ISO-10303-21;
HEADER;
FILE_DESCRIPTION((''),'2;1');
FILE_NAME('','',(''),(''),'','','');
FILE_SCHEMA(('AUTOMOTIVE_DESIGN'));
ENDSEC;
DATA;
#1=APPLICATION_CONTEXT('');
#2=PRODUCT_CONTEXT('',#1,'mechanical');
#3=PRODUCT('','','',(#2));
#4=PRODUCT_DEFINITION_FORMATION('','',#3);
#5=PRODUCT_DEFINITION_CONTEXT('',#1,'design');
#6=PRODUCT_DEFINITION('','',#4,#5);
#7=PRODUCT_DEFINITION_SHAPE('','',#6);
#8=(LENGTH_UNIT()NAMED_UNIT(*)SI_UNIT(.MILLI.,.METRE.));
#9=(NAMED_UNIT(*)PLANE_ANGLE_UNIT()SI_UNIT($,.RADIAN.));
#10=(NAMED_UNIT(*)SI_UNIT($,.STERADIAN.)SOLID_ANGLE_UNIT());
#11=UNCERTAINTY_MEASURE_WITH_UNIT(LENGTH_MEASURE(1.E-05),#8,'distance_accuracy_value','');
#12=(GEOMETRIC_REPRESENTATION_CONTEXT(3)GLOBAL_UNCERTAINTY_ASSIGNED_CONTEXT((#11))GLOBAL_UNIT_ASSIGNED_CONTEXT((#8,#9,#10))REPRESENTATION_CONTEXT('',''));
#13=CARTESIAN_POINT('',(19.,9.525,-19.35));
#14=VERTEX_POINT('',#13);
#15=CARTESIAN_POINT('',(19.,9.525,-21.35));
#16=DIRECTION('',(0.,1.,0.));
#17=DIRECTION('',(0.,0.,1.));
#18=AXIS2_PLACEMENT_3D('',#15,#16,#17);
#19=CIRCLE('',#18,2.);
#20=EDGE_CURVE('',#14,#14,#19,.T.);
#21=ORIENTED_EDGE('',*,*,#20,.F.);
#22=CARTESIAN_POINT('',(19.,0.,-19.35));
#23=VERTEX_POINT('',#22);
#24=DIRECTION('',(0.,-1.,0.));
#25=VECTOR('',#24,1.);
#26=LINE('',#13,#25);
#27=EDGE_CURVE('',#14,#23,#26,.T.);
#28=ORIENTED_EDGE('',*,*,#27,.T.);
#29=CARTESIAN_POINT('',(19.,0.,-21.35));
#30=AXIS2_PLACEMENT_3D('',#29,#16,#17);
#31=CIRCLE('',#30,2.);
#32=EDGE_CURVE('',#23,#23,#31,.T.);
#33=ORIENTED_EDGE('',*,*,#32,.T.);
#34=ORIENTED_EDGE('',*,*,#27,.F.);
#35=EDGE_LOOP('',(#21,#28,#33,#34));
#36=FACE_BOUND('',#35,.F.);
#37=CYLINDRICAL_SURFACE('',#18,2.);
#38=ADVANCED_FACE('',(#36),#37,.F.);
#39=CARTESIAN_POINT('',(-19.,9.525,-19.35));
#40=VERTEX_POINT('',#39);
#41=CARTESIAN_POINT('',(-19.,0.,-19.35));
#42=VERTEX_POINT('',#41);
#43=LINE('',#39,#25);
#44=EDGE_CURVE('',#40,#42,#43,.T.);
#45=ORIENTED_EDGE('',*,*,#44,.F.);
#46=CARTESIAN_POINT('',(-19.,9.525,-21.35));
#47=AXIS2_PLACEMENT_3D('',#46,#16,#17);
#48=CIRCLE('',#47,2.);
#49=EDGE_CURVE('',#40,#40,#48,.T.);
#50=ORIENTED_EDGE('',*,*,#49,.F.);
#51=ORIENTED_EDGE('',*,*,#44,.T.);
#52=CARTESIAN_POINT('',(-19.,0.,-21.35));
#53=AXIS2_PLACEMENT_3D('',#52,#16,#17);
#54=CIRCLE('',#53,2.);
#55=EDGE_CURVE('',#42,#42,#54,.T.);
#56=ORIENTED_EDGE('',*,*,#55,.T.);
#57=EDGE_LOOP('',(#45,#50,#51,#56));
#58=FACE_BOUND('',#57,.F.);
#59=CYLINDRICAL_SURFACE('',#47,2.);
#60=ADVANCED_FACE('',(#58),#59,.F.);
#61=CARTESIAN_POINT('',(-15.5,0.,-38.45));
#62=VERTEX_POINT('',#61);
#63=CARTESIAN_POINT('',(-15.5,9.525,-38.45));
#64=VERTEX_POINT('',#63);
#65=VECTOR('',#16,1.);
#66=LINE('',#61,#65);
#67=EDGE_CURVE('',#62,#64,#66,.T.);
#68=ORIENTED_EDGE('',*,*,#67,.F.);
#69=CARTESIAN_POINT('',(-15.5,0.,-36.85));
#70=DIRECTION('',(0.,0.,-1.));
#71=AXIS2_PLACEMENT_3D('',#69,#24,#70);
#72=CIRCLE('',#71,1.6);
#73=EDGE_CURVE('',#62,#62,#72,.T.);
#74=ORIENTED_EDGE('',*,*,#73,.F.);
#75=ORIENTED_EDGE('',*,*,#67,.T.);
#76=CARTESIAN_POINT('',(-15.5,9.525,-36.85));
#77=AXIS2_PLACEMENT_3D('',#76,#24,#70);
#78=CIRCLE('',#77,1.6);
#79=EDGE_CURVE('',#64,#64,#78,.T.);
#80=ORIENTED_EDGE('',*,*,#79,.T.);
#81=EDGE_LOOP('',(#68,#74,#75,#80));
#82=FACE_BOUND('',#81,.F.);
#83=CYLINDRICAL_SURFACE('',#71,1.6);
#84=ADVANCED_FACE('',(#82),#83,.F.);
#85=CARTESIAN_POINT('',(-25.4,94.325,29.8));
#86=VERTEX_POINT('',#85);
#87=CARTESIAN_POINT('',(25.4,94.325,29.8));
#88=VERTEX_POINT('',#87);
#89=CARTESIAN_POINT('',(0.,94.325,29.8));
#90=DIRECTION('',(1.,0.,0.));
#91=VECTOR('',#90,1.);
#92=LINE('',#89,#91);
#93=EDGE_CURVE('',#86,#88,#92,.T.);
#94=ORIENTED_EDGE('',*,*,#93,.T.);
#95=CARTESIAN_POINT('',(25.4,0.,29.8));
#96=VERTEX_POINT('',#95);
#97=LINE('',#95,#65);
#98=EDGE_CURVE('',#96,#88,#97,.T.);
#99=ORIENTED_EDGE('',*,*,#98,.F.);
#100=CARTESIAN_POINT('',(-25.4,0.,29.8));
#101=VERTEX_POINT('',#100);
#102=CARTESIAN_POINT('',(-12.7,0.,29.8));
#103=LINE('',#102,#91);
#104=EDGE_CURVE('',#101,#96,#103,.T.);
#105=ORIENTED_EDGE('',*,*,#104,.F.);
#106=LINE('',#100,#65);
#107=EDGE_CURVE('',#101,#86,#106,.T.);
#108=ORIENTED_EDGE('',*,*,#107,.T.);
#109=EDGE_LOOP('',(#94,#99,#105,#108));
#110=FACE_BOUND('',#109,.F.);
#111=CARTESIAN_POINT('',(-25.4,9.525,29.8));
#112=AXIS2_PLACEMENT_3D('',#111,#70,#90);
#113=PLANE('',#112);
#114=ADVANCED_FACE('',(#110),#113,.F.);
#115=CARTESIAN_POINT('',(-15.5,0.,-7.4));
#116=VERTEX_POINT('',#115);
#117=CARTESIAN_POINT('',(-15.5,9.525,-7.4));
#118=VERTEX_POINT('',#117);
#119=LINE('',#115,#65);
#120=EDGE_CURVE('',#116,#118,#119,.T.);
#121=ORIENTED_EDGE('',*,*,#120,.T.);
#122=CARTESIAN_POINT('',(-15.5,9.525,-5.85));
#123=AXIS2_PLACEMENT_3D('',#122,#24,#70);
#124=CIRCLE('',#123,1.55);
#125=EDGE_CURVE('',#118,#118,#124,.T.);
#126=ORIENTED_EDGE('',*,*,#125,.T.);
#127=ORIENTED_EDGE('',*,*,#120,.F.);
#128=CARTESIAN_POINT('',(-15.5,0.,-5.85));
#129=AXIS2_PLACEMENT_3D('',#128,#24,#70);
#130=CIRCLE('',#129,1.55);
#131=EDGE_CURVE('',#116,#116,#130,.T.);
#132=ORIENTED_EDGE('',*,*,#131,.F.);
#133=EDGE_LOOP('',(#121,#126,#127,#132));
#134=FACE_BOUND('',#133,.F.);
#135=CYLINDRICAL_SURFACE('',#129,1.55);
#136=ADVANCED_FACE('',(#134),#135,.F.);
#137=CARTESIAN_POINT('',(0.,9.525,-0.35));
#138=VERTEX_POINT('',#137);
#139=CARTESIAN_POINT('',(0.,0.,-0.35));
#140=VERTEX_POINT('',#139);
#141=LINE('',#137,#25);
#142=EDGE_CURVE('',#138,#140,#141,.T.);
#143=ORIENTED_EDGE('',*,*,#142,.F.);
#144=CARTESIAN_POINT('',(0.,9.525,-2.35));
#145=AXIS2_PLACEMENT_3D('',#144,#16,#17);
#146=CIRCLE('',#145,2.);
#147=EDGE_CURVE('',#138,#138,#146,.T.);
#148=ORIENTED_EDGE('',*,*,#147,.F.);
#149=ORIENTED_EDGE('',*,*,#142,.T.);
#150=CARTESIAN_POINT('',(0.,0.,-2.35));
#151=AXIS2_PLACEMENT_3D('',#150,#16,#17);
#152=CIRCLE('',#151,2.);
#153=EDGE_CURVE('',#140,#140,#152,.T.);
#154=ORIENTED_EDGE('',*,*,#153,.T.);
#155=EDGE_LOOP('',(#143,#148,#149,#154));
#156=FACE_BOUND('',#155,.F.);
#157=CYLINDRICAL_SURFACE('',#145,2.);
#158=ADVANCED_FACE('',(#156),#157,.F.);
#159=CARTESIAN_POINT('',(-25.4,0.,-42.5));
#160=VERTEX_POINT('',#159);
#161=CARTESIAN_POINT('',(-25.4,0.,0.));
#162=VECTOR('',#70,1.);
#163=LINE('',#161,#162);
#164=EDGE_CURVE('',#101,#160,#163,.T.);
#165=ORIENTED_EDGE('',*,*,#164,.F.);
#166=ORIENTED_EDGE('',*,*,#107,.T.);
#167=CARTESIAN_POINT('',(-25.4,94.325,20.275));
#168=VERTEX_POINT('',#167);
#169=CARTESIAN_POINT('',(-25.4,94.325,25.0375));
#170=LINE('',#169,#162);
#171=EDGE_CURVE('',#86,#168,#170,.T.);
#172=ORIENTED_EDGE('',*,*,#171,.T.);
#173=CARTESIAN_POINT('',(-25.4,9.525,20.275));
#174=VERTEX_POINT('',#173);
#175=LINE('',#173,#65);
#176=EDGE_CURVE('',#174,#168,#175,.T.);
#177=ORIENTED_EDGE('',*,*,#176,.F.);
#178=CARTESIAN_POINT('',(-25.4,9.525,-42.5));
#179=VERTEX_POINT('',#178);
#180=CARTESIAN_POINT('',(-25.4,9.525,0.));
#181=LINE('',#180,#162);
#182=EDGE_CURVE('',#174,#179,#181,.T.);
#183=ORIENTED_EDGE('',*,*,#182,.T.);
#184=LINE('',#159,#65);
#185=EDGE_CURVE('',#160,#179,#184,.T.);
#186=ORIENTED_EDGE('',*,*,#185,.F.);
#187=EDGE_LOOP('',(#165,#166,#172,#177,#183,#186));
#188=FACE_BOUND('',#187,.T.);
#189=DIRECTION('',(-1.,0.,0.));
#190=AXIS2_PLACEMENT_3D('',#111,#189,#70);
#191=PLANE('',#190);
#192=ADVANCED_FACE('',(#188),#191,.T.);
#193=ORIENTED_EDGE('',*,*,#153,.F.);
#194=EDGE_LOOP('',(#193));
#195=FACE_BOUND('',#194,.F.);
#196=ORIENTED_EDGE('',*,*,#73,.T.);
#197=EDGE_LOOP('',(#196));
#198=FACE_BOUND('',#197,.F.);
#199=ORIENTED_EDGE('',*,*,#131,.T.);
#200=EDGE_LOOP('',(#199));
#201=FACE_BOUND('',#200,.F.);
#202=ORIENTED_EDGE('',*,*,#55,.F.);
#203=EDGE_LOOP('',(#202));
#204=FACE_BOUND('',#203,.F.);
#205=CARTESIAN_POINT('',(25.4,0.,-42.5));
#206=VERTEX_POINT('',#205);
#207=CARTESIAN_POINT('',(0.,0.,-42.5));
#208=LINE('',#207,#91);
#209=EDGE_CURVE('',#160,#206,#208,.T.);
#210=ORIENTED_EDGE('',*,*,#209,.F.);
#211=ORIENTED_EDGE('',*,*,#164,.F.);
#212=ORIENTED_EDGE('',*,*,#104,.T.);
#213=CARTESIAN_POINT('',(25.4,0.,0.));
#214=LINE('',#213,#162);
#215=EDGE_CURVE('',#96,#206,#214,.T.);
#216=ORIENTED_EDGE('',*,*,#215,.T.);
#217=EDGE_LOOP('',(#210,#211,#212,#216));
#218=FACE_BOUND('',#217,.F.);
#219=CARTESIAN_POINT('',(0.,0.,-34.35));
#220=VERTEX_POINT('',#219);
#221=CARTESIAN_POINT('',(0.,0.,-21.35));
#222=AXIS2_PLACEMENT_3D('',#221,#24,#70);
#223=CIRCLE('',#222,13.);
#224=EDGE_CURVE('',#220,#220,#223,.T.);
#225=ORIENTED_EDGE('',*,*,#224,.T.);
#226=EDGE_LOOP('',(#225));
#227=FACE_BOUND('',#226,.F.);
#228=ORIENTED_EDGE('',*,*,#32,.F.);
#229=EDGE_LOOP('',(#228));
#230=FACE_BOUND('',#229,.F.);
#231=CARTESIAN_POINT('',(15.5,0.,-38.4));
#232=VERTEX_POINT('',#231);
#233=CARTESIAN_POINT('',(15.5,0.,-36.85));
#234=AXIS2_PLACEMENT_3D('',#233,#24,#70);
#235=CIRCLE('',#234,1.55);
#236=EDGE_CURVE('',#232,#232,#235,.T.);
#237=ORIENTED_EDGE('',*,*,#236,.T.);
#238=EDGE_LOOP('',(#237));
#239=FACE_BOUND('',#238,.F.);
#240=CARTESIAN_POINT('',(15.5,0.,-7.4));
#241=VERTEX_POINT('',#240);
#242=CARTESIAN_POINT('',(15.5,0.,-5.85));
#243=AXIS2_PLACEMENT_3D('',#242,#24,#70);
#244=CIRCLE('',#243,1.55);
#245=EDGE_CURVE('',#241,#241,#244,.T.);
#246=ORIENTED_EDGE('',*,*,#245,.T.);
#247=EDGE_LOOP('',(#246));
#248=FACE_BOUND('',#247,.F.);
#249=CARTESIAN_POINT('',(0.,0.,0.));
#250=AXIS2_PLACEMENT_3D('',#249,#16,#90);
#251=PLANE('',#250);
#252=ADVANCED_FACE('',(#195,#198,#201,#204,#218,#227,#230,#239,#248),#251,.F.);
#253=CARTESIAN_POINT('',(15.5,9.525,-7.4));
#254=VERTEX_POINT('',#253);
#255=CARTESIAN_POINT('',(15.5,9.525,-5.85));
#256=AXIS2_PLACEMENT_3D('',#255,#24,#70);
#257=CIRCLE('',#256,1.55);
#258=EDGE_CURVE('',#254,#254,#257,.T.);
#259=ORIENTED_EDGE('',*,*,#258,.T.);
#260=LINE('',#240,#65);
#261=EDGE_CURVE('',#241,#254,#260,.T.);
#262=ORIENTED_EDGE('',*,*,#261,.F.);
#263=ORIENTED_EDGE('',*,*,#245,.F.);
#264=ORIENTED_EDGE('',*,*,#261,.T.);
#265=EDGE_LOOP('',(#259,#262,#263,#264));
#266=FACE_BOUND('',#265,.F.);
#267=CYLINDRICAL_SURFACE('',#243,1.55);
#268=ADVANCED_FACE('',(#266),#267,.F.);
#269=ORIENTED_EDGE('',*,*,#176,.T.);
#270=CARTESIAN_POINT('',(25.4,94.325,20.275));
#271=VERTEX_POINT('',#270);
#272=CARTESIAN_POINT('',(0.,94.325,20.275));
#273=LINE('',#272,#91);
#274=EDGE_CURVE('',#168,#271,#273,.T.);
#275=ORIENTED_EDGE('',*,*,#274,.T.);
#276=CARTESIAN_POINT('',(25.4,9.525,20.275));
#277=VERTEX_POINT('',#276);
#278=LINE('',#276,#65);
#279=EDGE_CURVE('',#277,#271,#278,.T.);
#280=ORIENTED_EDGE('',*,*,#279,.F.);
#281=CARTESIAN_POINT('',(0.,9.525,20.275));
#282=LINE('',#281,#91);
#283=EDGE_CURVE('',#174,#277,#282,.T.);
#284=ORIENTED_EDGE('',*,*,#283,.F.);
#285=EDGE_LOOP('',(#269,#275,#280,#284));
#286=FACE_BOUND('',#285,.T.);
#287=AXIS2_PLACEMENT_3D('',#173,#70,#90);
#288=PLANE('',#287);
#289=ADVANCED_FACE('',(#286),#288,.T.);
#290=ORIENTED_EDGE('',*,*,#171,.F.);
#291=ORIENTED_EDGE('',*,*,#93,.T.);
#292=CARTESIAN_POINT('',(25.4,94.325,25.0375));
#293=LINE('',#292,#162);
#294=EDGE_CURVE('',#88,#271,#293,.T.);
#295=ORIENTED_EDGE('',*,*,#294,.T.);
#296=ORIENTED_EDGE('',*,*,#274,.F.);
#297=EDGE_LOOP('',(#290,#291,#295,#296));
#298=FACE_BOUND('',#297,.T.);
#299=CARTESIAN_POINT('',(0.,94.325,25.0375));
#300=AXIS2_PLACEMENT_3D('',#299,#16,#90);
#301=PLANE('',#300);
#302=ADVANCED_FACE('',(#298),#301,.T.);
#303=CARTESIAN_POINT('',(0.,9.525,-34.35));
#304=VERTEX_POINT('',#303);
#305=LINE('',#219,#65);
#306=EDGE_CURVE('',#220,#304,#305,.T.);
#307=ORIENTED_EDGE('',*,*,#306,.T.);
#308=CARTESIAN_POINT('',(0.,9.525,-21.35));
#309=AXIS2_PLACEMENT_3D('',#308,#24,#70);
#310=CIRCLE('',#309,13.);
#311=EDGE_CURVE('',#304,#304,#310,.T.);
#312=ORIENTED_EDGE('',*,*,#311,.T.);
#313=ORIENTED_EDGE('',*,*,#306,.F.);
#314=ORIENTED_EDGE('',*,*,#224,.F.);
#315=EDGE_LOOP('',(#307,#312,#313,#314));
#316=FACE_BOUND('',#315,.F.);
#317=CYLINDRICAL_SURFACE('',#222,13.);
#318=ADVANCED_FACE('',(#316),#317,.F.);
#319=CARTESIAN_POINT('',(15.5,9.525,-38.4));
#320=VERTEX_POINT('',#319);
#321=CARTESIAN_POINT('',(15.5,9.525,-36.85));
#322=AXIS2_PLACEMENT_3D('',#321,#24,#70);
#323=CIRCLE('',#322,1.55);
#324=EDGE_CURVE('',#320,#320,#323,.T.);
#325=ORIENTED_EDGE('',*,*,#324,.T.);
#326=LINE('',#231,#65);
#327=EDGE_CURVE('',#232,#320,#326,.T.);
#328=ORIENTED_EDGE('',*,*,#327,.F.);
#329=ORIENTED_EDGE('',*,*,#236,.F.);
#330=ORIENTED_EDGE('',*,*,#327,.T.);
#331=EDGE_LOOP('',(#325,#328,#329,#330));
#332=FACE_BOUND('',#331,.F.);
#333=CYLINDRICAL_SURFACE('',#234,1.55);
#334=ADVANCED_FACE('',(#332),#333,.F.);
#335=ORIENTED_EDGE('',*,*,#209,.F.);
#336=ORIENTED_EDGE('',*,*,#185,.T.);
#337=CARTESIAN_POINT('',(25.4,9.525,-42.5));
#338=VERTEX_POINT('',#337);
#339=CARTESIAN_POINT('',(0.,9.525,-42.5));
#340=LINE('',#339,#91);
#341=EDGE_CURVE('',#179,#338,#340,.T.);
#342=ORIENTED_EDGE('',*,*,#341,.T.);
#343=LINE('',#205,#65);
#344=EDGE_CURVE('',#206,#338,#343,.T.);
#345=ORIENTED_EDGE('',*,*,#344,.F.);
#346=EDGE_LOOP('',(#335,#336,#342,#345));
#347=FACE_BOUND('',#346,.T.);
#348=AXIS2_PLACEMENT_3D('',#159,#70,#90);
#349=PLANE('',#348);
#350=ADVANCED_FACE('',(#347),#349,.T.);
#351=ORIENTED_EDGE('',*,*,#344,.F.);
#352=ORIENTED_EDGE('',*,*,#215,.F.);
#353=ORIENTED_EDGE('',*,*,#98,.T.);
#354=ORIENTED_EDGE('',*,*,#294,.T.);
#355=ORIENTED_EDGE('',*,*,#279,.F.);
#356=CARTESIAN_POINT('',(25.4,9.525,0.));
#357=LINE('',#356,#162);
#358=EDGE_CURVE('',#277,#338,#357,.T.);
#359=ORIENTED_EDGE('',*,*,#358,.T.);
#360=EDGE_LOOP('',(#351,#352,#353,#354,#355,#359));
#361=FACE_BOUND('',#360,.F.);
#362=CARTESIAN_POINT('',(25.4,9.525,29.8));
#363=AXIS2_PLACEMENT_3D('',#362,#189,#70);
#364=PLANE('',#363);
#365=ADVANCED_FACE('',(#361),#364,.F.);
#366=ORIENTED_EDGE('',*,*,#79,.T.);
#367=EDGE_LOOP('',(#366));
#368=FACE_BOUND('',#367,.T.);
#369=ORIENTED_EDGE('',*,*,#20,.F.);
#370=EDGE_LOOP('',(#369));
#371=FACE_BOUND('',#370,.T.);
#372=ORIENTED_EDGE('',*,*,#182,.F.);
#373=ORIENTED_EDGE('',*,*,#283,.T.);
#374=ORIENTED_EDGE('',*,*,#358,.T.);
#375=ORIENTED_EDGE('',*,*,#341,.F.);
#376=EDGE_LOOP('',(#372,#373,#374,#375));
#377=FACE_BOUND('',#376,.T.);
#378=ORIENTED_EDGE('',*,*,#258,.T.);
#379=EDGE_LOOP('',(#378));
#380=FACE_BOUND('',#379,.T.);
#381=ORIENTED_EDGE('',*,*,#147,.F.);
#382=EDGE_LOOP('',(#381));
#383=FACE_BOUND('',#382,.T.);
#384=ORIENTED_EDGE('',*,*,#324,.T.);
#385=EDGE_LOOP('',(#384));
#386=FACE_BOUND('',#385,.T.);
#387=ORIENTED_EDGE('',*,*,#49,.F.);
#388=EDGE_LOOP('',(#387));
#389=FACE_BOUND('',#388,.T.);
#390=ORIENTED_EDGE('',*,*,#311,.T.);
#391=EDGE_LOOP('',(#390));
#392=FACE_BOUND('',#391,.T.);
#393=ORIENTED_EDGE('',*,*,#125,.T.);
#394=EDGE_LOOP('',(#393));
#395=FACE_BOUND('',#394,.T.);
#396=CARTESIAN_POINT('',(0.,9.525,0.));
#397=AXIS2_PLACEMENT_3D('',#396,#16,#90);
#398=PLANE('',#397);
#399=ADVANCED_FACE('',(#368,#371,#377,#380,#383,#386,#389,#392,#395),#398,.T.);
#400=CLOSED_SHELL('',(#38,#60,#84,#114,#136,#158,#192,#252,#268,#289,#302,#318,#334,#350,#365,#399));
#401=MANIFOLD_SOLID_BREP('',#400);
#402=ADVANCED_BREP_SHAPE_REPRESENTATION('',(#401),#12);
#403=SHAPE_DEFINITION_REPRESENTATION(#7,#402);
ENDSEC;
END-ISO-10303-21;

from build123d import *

# Parameters (mm, degrees)
CROQUIS1_W              = 50.8
CROQUIS1_H              = 85
SALIENTE_EXTRUIR1_DEPTH = 9.525
CROQUIS2_R              = 13
CORTAR_EXTRUIR1_DEPTH   = 51.419595645
CROQUIS3_R              = 1.55
CROQUIS3_R_2            = 1.6
CORTAR_EXTRUIR2_DEPTH   = 51.419595645
CROQUIS4_R              = 2
CORTAR_EXTRUIR3_DEPTH   = 51.419595645
CROQUIS5_W              = 50.8
CROQUIS5_H              = 12.7
CORTAR_EXTRUIR4_DEPTH   = 51.419595645
CROQUIS6_W              = 50.8
CROQUIS6_H              = 9.525
SALIENTE_EXTRUIR2_DEPTH = 84.8


with BuildPart() as part:
    # Croquis1 → Saliente-Extruir1 (new body)
    with BuildSketch(Plane(origin=(0, 0, 0), x_dir=(1, 0, 0), z_dir=(0, 1, 0))):
        Rectangle(CROQUIS1_W, CROQUIS1_H)
    extrude(amount=SALIENTE_EXTRUIR1_DEPTH)

    # Croquis2 → Cortar-Extruir1 (cut, through all)
    with BuildSketch(Plane.XZ):
        with Locations(Location((0, -21.35, 0), (0, 0, 270))):
            Circle(CROQUIS2_R)
    extrude(amount=-CORTAR_EXTRUIR1_DEPTH, mode=Mode.SUBTRACT)

    # Croquis3 → Cortar-Extruir2 (cut, through all)
    with BuildSketch(Plane.XZ):
        with Locations(Location((-15.5, -5.85, 0), (0, 0, 270))):
            Circle(CROQUIS3_R)
        with Locations(Location((15.5, -5.85, 0), (0, 0, 270))):
            Circle(CROQUIS3_R)
        with Locations(Location((15.5, -36.85, 0), (0, 0, 270))):
            Circle(CROQUIS3_R)
        with Locations(Location((-15.5, -36.85, 0), (0, 0, 270))):
            Circle(CROQUIS3_R_2)
    extrude(amount=-CORTAR_EXTRUIR2_DEPTH, mode=Mode.SUBTRACT)

    # Croquis4 → Cortar-Extruir3 (cut, through all)
    with BuildSketch(Plane(origin=(0, 9.525, 0), x_dir=(1, 0, 0), z_dir=(0, 1, 0))):
        with Locations(Location((-19, 21.35, 0), (0, 0, 270))):
            Circle(CROQUIS4_R)
        with Locations(Location((19, 21.35, 0), (0, 0, 270))):
            Circle(CROQUIS4_R)
        with Locations(Location((0, 2.35, 0), (0, 0, 270))):
            Circle(CROQUIS4_R)
    extrude(amount=-CORTAR_EXTRUIR3_DEPTH, mode=Mode.SUBTRACT)

    # Croquis5 → Cortar-Extruir4 (cut, through all)
    with BuildSketch(Plane(origin=(0, 9.525, 0), x_dir=(1, 0, 0), z_dir=(0, 1, 0))):
        with Locations((0, -36.15)):
            Rectangle(CROQUIS5_W, CROQUIS5_H)
    extrude(amount=-CORTAR_EXTRUIR4_DEPTH, mode=Mode.SUBTRACT)

    # Croquis6 → Saliente-Extruir2 (add)
    with BuildSketch(Plane(origin=(0, 9.525, 0), x_dir=(1, 0, 0), z_dir=(0, 1, 0))):
        with Locations((0, -25.0375)):
            Rectangle(CROQUIS6_W, CROQUIS6_H)
    extrude(amount=SALIENTE_EXTRUIR2_DEPTH)


solid = part.part
